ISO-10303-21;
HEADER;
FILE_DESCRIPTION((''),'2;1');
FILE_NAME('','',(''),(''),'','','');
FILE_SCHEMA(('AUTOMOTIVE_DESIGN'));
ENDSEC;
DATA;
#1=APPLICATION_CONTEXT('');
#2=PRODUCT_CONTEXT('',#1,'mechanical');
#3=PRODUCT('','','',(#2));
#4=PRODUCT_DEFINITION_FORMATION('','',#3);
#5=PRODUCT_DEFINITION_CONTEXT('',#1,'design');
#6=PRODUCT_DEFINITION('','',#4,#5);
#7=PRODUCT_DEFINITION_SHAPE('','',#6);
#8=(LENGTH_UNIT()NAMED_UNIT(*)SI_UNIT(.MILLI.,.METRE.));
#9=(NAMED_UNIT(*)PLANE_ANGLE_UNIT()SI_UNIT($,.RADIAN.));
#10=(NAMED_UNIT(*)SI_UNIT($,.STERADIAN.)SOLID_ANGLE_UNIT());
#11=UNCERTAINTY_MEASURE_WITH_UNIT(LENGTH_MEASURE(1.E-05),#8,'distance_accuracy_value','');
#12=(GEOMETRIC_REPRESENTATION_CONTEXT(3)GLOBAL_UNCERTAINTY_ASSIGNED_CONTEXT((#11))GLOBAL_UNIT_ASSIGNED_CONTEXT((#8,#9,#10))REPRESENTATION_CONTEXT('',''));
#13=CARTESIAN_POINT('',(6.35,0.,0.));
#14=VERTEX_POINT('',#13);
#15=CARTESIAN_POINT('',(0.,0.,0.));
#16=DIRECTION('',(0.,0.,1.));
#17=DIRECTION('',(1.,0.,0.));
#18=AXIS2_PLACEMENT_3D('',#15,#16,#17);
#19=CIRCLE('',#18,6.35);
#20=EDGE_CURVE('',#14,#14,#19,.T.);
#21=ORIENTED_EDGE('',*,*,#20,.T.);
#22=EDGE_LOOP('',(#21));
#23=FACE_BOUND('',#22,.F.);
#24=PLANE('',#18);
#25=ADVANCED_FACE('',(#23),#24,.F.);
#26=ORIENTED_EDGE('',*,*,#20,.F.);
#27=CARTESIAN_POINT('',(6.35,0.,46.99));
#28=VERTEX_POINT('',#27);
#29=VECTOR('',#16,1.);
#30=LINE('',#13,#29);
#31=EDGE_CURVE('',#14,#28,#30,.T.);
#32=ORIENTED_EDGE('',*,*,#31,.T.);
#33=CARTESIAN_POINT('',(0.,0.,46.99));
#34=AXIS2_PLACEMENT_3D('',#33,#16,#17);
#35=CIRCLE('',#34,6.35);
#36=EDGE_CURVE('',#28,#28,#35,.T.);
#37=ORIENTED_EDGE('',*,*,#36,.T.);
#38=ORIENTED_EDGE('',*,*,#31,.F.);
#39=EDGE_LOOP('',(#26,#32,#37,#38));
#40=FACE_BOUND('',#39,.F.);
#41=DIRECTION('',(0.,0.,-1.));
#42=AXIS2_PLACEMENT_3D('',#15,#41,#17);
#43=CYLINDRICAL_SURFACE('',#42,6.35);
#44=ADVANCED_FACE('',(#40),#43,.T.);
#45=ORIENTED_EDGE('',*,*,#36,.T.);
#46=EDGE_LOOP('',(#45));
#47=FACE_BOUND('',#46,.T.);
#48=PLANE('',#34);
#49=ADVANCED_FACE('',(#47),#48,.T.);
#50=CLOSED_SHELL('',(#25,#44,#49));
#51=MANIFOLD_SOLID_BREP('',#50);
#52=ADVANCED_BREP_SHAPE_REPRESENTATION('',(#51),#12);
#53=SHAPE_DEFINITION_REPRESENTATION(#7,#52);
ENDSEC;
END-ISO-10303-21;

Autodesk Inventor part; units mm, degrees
ref_plane "YZ Plane" through (0, 0, 0) normal (1, 0, 0) x (0, 1, 0)
ref_plane "Start Plane" through (0, 0, 0) normal (0, 0, 1) x (1, 0, 0)
ref_plane "End Plane" through (0, 0, 46.99) normal (0, 0, 1) x (1, 0, 0)
sketch "Sketch" plane through (0, 0, 0) normal (0, 0, 1) x (1, 0, 0)
  circle A0 centre (0, 0) radius 6.35
  dimension "d0" = 12.7
extrude "Body" add sketch "Sketch" along normal up to surface (46.99 mm away) from surface at 0
sketch "Sketch2" plane through (0, 0, 0) normal (0, 0, 1) x (1, 0, 0)
  line L0 (0, 0) -> (10, 0)
ref_plane "Work Plane3" through (0, 0, 0) normal (0, -1, 0) x (1, 0, 0)
sketch "Sketch3" plane through (0, 0, 0) normal (0, -1, 0) x (1, 0, 0)
  line L0 (-2, 0) -> (12, 0) projected
  line L1 (-2, 46.99) -> (12, 46.99) projected
  dimension "d7" = 46.99
equation "\"d0\" = Diam"
equation "\"d1\" = G_L"
equation "\"Diam\" = 12.7"
equation "\"G_L\" = d7"
equation "\"G_OFFSET_START\" = 0"
equation "\"G_OFFSET_END\" = 0"
equation "\"d5\" = G_OFFSET_END + B_L"
equation "\"B_L\" = 46.99"
properties part number "ANSI/AISC Rolled Steel - 1/2-1.85, RB" material "Aluminum 6061"
